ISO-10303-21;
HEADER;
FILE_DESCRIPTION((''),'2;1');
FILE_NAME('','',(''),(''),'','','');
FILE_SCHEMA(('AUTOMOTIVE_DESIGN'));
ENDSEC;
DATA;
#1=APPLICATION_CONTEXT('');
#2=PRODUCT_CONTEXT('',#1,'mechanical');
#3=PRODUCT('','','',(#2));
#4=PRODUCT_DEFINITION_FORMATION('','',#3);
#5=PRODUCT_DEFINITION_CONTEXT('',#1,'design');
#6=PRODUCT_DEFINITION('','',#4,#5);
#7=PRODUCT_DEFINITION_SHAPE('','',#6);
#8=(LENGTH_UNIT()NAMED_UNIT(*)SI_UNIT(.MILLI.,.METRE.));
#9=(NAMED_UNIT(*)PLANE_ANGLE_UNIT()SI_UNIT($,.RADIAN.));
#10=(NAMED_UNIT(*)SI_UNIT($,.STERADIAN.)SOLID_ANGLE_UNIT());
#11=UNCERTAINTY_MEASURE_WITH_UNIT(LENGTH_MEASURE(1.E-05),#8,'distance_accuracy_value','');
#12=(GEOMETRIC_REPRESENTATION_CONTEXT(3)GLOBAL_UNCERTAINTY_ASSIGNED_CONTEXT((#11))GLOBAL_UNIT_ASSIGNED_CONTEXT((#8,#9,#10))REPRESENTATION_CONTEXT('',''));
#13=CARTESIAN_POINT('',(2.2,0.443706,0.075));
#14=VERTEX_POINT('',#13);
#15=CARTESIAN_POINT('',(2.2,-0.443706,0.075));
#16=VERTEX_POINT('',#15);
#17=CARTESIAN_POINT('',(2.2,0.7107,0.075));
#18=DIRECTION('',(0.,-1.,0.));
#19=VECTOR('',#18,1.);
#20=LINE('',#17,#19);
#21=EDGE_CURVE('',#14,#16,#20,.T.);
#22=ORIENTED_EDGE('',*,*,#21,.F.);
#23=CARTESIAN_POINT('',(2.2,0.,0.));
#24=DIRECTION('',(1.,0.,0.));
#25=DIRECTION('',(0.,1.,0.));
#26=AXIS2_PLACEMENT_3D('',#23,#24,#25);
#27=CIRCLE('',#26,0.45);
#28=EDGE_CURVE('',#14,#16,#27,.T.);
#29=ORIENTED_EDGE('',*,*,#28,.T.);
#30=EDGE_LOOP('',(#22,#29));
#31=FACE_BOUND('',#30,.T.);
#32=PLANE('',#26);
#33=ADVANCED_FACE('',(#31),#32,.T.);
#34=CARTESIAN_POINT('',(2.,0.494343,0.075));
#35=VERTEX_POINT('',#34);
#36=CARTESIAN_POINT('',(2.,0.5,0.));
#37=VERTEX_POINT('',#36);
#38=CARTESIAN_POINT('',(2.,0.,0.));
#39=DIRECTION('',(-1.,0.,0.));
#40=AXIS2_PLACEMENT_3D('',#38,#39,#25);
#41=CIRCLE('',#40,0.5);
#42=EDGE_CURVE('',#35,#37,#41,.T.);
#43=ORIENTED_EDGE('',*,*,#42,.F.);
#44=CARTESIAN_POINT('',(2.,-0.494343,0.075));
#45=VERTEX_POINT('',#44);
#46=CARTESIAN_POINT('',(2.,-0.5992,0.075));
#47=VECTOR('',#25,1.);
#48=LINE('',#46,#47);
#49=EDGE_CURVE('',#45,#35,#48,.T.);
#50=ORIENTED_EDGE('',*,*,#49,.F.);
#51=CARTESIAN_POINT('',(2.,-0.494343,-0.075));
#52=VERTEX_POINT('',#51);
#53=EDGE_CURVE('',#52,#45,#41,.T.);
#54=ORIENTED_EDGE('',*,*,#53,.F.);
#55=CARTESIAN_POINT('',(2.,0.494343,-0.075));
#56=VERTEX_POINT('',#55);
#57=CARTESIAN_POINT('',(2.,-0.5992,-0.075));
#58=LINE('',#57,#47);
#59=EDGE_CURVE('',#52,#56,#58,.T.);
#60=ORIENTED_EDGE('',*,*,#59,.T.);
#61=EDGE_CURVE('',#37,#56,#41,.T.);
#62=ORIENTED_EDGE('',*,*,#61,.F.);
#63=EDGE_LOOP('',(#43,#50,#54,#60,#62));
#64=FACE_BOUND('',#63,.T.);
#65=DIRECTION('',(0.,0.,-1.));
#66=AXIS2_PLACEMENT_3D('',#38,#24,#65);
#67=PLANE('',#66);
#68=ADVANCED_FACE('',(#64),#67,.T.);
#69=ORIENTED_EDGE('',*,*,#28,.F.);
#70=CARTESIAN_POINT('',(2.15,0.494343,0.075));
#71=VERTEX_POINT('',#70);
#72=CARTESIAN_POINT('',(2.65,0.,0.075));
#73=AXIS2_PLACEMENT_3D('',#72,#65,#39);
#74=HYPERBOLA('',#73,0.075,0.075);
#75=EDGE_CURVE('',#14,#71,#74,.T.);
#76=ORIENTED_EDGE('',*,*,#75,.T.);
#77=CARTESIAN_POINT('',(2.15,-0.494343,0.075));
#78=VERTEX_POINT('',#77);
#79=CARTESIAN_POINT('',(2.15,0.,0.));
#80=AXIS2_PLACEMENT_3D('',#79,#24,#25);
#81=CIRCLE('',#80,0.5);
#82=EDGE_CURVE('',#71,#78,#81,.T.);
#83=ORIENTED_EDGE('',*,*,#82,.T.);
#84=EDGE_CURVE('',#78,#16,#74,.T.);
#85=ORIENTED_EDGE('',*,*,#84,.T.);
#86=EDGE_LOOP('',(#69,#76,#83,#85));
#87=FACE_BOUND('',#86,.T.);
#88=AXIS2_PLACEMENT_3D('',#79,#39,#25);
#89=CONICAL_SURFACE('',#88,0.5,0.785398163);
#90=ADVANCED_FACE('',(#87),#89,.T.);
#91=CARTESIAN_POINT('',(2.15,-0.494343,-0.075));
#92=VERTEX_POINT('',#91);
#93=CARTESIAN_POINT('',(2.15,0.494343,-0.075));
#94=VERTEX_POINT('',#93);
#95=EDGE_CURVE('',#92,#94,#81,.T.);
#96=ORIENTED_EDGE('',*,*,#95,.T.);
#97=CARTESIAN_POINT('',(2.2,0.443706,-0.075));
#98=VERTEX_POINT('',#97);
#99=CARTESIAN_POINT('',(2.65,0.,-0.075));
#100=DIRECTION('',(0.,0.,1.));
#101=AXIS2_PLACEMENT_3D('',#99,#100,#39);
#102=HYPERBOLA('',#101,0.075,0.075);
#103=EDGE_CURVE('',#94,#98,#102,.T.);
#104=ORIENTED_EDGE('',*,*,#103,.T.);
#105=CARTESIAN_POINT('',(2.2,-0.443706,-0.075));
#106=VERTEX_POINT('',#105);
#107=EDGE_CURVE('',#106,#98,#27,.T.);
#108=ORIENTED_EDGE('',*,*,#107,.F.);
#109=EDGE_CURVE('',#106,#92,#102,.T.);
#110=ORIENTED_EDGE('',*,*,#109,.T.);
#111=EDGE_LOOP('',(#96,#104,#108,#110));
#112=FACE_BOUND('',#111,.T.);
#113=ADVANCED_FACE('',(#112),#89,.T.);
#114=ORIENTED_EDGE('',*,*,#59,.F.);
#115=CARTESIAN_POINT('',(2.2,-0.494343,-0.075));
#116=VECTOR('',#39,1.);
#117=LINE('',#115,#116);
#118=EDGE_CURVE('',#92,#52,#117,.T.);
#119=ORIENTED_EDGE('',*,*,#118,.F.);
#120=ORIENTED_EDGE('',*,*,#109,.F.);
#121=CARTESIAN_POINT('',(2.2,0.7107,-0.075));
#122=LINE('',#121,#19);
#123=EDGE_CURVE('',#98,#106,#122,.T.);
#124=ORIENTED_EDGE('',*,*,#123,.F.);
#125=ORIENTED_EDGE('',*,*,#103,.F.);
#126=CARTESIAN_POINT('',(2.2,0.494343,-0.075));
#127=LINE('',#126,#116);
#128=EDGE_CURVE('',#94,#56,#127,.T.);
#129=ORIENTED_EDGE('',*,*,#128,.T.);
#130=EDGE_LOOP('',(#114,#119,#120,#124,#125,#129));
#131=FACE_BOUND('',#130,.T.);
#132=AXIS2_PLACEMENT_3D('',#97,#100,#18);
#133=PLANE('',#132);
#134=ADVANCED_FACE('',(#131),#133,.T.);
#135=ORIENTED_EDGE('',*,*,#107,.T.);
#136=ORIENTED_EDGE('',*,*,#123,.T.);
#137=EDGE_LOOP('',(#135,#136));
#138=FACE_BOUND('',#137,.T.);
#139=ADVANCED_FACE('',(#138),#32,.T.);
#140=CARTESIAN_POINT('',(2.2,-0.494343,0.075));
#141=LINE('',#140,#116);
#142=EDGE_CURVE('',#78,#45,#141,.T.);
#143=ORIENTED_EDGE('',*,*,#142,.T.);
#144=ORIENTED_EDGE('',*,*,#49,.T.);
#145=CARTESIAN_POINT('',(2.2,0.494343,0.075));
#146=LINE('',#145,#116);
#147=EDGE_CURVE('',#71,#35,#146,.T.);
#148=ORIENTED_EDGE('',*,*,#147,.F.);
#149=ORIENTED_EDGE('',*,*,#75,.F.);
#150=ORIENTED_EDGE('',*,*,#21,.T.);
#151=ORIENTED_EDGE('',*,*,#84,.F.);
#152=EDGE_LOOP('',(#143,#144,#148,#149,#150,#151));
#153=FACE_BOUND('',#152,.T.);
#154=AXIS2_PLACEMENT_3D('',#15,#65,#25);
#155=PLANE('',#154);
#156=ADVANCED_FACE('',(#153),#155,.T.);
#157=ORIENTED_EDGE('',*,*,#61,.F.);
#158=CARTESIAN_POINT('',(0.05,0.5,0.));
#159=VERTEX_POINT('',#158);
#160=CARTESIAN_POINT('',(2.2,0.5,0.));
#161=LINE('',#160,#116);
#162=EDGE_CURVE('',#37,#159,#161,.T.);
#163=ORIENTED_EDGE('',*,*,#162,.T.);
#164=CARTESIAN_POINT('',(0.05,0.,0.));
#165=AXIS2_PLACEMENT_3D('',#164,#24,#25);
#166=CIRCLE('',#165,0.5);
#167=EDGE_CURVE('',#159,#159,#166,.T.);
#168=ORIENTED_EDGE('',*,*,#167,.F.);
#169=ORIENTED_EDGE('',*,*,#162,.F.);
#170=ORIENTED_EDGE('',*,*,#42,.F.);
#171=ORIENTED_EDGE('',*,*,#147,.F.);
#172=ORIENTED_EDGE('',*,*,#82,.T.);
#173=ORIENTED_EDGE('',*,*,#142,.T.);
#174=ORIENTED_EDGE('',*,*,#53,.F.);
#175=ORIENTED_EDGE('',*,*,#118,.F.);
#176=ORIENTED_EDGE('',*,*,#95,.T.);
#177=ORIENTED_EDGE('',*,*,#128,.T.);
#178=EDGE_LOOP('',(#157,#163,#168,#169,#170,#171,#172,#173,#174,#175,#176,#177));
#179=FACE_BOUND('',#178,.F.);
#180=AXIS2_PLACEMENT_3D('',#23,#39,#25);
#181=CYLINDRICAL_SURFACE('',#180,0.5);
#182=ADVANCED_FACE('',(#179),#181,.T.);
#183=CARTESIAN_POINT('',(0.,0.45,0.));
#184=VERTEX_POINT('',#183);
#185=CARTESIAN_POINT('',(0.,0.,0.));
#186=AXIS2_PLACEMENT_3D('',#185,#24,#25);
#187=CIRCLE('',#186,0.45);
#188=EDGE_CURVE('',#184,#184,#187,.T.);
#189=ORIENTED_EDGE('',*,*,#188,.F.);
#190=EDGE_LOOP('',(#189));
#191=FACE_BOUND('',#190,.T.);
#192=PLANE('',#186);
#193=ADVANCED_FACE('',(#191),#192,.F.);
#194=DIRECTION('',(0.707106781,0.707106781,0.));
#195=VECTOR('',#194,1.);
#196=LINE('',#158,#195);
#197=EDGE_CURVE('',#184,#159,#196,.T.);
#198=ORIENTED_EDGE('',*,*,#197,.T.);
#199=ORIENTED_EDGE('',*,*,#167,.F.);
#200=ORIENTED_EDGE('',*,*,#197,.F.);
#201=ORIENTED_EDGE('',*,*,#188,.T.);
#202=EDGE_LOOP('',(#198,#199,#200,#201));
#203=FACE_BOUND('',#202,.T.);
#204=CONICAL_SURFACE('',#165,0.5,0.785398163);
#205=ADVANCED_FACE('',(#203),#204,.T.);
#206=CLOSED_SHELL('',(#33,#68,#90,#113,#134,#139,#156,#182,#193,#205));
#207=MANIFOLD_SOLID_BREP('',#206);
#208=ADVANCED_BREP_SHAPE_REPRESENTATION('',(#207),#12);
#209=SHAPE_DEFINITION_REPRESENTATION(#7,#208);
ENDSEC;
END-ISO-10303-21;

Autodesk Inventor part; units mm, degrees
ref_plane "YZ Plane" through (0, 0, 0) normal (1, 0, 0) x (0, 1, 0)
ref_plane "XZ Plane" through (0, 0, 0) normal (0, 1, 0) x (-1, 0, 0)
ref_plane "XY Plane" through (0, 0, 0) normal (0, 0, 1) x (1, 0, 0)
sketch "Sketch1" plane through (0, 0, 0) normal (0, 0, 1) x (1, 0, 0)
  line L0 (0, 0) -> (2.2, 0)
  line L1 (2.2, 0.5) -> (0, 0.5)
  line L2 (0, 0) -> (0, 0.5)
  line L3 (0, 0) -> (2.2, 0) construction
  line L4 (2.2, 0.5) -> (2.2, 0)
  dimension "d25" = 0.5
  dimension "d43" = 2.2
revolve "Revolution1" add sketch "Sketch1" angle 360 about axis through (0, 0, 0) along (1, 0, 0)
chamfer "Chamfer1" distance 0.05 angle 45 2 edges at (0, -0.5, 0) (2.2, -0.5, 0)
thread "Thread4" size "M1x0.25" class "6g" standard "ANSI Metric M Profile" full length
sketch "Sketch4" plane through (2.2, 0, 0) normal (1, 0, 0) x (0, 0, -1)
  circle A0 centre (0, 0) radius 0.45 projected
  line L0 (-0.075, 0.7107) -> (0.075, 0.7107)
  line L1 (0.075, 0.7107) -> (0.075, -0.5992)
  line L2 (0.075, -0.5992) -> (-0.075, -0.5992)
  line L3 (-0.075, -0.5992) -> (-0.075, 0.7107)
  dimension "d46" = 0.15
  dimension "d47" = 0.075
extrude "Extrusion3" cut sketch "Sketch4" against normal blind 0.2 contours L1 A0 L3 | A0 L3 L0 L1 | L1 L2 L3 A0
properties part number "Screw1G"
